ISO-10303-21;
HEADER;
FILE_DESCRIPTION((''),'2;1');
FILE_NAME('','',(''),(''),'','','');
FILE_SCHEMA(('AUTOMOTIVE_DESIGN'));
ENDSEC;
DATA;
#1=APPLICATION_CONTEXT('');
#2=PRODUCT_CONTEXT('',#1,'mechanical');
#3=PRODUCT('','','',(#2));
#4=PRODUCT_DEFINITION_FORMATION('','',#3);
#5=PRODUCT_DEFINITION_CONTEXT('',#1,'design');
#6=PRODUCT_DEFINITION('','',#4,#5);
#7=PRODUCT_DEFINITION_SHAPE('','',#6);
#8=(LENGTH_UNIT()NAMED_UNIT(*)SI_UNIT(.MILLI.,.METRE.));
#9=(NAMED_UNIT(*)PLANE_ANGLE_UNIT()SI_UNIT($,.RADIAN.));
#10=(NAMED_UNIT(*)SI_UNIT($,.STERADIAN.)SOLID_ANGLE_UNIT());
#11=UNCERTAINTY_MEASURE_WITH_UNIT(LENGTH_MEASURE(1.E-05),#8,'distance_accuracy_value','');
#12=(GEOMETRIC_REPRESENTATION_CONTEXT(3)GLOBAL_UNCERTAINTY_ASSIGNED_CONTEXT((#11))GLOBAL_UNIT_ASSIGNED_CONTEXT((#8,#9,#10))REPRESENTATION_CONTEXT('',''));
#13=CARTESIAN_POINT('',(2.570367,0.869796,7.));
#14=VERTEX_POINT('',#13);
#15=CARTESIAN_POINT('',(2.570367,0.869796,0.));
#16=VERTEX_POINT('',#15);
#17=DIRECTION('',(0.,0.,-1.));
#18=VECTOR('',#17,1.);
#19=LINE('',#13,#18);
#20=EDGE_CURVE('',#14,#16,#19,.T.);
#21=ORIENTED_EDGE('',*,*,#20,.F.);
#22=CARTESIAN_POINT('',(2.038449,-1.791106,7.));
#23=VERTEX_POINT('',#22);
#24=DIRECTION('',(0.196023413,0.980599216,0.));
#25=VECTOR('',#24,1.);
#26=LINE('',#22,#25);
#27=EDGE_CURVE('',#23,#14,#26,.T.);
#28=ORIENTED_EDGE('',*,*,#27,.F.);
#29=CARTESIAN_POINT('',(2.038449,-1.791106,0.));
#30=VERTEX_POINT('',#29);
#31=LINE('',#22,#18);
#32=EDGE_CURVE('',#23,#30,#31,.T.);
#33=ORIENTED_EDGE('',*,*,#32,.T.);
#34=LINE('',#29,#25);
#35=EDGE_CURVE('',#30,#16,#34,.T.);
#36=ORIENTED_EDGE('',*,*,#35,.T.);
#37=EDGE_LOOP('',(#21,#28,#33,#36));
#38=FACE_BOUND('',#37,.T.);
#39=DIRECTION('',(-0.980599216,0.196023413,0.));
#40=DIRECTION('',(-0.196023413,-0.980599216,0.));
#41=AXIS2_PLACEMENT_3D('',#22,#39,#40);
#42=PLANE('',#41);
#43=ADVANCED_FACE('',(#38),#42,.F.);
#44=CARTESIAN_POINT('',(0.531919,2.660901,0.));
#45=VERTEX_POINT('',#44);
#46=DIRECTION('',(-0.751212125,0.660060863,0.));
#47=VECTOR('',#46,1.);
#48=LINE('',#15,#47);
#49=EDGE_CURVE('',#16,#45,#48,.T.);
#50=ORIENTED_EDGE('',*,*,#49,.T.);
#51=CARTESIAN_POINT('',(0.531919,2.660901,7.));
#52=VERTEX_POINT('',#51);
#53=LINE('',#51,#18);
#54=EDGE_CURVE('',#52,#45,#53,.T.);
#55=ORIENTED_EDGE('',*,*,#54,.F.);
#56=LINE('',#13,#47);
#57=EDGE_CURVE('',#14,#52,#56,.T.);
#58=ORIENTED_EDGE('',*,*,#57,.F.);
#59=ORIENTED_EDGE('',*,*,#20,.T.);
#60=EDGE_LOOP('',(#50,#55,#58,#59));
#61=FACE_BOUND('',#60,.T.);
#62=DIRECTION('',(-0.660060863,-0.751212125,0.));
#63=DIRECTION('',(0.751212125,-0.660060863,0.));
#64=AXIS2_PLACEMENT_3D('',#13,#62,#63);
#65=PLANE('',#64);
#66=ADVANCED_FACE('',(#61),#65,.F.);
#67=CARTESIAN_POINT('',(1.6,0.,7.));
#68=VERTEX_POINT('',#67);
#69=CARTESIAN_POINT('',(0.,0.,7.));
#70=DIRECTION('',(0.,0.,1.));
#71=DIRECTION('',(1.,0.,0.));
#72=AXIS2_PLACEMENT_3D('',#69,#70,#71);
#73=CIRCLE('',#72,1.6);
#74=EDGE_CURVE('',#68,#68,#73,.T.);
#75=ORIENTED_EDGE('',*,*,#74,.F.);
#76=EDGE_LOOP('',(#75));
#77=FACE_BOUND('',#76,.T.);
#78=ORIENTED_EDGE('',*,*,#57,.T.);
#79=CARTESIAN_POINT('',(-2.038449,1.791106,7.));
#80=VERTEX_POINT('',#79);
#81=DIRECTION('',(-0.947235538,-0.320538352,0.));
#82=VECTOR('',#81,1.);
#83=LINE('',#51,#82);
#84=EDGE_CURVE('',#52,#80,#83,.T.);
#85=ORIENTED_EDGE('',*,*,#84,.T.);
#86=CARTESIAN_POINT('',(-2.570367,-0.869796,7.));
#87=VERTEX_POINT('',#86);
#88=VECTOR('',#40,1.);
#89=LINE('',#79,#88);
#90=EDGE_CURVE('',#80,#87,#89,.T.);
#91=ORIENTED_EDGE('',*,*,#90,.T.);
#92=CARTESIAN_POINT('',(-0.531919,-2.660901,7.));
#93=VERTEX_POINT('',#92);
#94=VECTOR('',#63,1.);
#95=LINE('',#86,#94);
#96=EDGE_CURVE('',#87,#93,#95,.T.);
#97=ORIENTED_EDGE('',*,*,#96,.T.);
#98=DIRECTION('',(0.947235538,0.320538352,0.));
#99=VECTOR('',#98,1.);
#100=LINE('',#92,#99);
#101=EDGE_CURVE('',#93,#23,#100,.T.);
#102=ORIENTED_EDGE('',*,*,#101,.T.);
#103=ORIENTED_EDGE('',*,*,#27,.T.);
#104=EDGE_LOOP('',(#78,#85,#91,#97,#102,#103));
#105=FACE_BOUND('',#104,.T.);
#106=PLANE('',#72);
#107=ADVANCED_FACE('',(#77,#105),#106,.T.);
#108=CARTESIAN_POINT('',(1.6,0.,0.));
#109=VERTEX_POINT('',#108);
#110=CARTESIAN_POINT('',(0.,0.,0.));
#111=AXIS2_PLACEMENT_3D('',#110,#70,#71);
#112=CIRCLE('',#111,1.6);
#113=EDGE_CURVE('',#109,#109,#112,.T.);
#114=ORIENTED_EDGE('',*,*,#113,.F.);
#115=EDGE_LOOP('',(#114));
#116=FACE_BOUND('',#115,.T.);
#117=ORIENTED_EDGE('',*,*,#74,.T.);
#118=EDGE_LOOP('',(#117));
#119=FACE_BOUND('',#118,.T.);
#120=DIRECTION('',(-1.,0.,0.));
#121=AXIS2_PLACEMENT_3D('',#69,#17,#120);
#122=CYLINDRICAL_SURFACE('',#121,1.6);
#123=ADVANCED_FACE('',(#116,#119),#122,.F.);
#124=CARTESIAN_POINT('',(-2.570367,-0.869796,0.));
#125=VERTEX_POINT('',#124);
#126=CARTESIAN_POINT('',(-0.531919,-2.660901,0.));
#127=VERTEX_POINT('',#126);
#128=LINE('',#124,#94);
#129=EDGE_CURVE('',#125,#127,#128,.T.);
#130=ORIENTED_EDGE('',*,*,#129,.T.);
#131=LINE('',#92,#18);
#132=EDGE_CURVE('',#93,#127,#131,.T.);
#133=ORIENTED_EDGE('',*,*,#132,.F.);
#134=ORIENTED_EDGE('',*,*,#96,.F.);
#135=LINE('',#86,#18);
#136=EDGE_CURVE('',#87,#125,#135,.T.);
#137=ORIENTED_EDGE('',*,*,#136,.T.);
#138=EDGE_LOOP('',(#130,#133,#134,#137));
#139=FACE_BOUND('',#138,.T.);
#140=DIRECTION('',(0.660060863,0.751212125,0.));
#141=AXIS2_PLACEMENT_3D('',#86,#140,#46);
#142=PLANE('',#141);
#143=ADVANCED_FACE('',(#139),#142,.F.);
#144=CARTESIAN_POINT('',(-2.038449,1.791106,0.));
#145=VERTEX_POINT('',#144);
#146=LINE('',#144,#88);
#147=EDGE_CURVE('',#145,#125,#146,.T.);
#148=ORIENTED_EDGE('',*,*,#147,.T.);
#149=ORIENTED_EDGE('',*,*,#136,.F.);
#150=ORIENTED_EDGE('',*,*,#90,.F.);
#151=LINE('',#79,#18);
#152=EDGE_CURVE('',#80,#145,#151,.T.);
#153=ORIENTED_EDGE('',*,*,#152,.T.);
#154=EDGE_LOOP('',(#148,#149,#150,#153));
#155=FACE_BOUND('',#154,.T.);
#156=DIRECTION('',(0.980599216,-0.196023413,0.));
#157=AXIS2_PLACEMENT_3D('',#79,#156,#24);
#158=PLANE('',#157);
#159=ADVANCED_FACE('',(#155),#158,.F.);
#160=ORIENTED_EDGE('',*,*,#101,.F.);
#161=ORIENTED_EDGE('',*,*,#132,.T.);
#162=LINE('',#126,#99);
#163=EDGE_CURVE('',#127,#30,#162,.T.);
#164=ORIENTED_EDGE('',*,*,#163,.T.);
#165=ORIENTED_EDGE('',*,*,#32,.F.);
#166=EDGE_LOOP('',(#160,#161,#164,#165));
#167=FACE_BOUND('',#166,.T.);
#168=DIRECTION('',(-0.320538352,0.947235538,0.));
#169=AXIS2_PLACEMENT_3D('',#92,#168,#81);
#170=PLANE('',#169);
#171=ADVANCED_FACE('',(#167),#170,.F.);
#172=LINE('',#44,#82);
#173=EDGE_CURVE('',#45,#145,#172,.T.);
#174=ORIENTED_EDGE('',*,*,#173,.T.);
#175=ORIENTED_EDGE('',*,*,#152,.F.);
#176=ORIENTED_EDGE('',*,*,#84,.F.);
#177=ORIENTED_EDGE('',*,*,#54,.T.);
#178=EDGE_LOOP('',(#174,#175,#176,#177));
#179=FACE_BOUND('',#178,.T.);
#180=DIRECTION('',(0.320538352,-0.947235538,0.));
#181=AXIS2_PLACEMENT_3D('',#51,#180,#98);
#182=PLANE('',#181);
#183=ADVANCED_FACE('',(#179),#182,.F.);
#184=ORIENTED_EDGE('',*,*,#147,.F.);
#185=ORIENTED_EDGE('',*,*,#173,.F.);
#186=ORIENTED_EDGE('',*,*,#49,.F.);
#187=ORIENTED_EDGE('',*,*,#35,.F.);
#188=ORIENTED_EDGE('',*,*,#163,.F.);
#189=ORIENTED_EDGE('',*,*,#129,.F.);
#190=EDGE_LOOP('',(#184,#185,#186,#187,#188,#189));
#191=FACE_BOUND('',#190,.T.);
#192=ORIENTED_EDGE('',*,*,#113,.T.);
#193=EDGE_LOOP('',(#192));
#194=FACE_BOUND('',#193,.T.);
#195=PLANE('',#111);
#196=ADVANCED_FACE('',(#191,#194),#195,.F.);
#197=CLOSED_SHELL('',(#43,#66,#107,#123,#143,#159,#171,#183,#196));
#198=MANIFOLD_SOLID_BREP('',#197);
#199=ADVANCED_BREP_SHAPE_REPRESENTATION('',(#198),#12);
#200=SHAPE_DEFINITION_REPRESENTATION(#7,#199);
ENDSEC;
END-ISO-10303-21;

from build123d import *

# Parameters (mm, degrees)
SKETCH_1_R      = 1.6
EXTRUDE_1_DEPTH = 7


with BuildPart() as part:
    # 草图1 → 凸台-拉伸1 (new body)
    with BuildSketch(Plane.XY):
        Polygon((2.038448857, -1.79110569), (2.570367457, 0.869795649), (0.5319186, 2.660901339), (-2.038448857, 1.79110569), (-2.570367457, -0.869795649), (-0.5319186, -2.660901339), align=None)
        Circle(SKETCH_1_R, mode=Mode.SUBTRACT)
    extrude(amount=EXTRUDE_1_DEPTH)


solid = part.part
